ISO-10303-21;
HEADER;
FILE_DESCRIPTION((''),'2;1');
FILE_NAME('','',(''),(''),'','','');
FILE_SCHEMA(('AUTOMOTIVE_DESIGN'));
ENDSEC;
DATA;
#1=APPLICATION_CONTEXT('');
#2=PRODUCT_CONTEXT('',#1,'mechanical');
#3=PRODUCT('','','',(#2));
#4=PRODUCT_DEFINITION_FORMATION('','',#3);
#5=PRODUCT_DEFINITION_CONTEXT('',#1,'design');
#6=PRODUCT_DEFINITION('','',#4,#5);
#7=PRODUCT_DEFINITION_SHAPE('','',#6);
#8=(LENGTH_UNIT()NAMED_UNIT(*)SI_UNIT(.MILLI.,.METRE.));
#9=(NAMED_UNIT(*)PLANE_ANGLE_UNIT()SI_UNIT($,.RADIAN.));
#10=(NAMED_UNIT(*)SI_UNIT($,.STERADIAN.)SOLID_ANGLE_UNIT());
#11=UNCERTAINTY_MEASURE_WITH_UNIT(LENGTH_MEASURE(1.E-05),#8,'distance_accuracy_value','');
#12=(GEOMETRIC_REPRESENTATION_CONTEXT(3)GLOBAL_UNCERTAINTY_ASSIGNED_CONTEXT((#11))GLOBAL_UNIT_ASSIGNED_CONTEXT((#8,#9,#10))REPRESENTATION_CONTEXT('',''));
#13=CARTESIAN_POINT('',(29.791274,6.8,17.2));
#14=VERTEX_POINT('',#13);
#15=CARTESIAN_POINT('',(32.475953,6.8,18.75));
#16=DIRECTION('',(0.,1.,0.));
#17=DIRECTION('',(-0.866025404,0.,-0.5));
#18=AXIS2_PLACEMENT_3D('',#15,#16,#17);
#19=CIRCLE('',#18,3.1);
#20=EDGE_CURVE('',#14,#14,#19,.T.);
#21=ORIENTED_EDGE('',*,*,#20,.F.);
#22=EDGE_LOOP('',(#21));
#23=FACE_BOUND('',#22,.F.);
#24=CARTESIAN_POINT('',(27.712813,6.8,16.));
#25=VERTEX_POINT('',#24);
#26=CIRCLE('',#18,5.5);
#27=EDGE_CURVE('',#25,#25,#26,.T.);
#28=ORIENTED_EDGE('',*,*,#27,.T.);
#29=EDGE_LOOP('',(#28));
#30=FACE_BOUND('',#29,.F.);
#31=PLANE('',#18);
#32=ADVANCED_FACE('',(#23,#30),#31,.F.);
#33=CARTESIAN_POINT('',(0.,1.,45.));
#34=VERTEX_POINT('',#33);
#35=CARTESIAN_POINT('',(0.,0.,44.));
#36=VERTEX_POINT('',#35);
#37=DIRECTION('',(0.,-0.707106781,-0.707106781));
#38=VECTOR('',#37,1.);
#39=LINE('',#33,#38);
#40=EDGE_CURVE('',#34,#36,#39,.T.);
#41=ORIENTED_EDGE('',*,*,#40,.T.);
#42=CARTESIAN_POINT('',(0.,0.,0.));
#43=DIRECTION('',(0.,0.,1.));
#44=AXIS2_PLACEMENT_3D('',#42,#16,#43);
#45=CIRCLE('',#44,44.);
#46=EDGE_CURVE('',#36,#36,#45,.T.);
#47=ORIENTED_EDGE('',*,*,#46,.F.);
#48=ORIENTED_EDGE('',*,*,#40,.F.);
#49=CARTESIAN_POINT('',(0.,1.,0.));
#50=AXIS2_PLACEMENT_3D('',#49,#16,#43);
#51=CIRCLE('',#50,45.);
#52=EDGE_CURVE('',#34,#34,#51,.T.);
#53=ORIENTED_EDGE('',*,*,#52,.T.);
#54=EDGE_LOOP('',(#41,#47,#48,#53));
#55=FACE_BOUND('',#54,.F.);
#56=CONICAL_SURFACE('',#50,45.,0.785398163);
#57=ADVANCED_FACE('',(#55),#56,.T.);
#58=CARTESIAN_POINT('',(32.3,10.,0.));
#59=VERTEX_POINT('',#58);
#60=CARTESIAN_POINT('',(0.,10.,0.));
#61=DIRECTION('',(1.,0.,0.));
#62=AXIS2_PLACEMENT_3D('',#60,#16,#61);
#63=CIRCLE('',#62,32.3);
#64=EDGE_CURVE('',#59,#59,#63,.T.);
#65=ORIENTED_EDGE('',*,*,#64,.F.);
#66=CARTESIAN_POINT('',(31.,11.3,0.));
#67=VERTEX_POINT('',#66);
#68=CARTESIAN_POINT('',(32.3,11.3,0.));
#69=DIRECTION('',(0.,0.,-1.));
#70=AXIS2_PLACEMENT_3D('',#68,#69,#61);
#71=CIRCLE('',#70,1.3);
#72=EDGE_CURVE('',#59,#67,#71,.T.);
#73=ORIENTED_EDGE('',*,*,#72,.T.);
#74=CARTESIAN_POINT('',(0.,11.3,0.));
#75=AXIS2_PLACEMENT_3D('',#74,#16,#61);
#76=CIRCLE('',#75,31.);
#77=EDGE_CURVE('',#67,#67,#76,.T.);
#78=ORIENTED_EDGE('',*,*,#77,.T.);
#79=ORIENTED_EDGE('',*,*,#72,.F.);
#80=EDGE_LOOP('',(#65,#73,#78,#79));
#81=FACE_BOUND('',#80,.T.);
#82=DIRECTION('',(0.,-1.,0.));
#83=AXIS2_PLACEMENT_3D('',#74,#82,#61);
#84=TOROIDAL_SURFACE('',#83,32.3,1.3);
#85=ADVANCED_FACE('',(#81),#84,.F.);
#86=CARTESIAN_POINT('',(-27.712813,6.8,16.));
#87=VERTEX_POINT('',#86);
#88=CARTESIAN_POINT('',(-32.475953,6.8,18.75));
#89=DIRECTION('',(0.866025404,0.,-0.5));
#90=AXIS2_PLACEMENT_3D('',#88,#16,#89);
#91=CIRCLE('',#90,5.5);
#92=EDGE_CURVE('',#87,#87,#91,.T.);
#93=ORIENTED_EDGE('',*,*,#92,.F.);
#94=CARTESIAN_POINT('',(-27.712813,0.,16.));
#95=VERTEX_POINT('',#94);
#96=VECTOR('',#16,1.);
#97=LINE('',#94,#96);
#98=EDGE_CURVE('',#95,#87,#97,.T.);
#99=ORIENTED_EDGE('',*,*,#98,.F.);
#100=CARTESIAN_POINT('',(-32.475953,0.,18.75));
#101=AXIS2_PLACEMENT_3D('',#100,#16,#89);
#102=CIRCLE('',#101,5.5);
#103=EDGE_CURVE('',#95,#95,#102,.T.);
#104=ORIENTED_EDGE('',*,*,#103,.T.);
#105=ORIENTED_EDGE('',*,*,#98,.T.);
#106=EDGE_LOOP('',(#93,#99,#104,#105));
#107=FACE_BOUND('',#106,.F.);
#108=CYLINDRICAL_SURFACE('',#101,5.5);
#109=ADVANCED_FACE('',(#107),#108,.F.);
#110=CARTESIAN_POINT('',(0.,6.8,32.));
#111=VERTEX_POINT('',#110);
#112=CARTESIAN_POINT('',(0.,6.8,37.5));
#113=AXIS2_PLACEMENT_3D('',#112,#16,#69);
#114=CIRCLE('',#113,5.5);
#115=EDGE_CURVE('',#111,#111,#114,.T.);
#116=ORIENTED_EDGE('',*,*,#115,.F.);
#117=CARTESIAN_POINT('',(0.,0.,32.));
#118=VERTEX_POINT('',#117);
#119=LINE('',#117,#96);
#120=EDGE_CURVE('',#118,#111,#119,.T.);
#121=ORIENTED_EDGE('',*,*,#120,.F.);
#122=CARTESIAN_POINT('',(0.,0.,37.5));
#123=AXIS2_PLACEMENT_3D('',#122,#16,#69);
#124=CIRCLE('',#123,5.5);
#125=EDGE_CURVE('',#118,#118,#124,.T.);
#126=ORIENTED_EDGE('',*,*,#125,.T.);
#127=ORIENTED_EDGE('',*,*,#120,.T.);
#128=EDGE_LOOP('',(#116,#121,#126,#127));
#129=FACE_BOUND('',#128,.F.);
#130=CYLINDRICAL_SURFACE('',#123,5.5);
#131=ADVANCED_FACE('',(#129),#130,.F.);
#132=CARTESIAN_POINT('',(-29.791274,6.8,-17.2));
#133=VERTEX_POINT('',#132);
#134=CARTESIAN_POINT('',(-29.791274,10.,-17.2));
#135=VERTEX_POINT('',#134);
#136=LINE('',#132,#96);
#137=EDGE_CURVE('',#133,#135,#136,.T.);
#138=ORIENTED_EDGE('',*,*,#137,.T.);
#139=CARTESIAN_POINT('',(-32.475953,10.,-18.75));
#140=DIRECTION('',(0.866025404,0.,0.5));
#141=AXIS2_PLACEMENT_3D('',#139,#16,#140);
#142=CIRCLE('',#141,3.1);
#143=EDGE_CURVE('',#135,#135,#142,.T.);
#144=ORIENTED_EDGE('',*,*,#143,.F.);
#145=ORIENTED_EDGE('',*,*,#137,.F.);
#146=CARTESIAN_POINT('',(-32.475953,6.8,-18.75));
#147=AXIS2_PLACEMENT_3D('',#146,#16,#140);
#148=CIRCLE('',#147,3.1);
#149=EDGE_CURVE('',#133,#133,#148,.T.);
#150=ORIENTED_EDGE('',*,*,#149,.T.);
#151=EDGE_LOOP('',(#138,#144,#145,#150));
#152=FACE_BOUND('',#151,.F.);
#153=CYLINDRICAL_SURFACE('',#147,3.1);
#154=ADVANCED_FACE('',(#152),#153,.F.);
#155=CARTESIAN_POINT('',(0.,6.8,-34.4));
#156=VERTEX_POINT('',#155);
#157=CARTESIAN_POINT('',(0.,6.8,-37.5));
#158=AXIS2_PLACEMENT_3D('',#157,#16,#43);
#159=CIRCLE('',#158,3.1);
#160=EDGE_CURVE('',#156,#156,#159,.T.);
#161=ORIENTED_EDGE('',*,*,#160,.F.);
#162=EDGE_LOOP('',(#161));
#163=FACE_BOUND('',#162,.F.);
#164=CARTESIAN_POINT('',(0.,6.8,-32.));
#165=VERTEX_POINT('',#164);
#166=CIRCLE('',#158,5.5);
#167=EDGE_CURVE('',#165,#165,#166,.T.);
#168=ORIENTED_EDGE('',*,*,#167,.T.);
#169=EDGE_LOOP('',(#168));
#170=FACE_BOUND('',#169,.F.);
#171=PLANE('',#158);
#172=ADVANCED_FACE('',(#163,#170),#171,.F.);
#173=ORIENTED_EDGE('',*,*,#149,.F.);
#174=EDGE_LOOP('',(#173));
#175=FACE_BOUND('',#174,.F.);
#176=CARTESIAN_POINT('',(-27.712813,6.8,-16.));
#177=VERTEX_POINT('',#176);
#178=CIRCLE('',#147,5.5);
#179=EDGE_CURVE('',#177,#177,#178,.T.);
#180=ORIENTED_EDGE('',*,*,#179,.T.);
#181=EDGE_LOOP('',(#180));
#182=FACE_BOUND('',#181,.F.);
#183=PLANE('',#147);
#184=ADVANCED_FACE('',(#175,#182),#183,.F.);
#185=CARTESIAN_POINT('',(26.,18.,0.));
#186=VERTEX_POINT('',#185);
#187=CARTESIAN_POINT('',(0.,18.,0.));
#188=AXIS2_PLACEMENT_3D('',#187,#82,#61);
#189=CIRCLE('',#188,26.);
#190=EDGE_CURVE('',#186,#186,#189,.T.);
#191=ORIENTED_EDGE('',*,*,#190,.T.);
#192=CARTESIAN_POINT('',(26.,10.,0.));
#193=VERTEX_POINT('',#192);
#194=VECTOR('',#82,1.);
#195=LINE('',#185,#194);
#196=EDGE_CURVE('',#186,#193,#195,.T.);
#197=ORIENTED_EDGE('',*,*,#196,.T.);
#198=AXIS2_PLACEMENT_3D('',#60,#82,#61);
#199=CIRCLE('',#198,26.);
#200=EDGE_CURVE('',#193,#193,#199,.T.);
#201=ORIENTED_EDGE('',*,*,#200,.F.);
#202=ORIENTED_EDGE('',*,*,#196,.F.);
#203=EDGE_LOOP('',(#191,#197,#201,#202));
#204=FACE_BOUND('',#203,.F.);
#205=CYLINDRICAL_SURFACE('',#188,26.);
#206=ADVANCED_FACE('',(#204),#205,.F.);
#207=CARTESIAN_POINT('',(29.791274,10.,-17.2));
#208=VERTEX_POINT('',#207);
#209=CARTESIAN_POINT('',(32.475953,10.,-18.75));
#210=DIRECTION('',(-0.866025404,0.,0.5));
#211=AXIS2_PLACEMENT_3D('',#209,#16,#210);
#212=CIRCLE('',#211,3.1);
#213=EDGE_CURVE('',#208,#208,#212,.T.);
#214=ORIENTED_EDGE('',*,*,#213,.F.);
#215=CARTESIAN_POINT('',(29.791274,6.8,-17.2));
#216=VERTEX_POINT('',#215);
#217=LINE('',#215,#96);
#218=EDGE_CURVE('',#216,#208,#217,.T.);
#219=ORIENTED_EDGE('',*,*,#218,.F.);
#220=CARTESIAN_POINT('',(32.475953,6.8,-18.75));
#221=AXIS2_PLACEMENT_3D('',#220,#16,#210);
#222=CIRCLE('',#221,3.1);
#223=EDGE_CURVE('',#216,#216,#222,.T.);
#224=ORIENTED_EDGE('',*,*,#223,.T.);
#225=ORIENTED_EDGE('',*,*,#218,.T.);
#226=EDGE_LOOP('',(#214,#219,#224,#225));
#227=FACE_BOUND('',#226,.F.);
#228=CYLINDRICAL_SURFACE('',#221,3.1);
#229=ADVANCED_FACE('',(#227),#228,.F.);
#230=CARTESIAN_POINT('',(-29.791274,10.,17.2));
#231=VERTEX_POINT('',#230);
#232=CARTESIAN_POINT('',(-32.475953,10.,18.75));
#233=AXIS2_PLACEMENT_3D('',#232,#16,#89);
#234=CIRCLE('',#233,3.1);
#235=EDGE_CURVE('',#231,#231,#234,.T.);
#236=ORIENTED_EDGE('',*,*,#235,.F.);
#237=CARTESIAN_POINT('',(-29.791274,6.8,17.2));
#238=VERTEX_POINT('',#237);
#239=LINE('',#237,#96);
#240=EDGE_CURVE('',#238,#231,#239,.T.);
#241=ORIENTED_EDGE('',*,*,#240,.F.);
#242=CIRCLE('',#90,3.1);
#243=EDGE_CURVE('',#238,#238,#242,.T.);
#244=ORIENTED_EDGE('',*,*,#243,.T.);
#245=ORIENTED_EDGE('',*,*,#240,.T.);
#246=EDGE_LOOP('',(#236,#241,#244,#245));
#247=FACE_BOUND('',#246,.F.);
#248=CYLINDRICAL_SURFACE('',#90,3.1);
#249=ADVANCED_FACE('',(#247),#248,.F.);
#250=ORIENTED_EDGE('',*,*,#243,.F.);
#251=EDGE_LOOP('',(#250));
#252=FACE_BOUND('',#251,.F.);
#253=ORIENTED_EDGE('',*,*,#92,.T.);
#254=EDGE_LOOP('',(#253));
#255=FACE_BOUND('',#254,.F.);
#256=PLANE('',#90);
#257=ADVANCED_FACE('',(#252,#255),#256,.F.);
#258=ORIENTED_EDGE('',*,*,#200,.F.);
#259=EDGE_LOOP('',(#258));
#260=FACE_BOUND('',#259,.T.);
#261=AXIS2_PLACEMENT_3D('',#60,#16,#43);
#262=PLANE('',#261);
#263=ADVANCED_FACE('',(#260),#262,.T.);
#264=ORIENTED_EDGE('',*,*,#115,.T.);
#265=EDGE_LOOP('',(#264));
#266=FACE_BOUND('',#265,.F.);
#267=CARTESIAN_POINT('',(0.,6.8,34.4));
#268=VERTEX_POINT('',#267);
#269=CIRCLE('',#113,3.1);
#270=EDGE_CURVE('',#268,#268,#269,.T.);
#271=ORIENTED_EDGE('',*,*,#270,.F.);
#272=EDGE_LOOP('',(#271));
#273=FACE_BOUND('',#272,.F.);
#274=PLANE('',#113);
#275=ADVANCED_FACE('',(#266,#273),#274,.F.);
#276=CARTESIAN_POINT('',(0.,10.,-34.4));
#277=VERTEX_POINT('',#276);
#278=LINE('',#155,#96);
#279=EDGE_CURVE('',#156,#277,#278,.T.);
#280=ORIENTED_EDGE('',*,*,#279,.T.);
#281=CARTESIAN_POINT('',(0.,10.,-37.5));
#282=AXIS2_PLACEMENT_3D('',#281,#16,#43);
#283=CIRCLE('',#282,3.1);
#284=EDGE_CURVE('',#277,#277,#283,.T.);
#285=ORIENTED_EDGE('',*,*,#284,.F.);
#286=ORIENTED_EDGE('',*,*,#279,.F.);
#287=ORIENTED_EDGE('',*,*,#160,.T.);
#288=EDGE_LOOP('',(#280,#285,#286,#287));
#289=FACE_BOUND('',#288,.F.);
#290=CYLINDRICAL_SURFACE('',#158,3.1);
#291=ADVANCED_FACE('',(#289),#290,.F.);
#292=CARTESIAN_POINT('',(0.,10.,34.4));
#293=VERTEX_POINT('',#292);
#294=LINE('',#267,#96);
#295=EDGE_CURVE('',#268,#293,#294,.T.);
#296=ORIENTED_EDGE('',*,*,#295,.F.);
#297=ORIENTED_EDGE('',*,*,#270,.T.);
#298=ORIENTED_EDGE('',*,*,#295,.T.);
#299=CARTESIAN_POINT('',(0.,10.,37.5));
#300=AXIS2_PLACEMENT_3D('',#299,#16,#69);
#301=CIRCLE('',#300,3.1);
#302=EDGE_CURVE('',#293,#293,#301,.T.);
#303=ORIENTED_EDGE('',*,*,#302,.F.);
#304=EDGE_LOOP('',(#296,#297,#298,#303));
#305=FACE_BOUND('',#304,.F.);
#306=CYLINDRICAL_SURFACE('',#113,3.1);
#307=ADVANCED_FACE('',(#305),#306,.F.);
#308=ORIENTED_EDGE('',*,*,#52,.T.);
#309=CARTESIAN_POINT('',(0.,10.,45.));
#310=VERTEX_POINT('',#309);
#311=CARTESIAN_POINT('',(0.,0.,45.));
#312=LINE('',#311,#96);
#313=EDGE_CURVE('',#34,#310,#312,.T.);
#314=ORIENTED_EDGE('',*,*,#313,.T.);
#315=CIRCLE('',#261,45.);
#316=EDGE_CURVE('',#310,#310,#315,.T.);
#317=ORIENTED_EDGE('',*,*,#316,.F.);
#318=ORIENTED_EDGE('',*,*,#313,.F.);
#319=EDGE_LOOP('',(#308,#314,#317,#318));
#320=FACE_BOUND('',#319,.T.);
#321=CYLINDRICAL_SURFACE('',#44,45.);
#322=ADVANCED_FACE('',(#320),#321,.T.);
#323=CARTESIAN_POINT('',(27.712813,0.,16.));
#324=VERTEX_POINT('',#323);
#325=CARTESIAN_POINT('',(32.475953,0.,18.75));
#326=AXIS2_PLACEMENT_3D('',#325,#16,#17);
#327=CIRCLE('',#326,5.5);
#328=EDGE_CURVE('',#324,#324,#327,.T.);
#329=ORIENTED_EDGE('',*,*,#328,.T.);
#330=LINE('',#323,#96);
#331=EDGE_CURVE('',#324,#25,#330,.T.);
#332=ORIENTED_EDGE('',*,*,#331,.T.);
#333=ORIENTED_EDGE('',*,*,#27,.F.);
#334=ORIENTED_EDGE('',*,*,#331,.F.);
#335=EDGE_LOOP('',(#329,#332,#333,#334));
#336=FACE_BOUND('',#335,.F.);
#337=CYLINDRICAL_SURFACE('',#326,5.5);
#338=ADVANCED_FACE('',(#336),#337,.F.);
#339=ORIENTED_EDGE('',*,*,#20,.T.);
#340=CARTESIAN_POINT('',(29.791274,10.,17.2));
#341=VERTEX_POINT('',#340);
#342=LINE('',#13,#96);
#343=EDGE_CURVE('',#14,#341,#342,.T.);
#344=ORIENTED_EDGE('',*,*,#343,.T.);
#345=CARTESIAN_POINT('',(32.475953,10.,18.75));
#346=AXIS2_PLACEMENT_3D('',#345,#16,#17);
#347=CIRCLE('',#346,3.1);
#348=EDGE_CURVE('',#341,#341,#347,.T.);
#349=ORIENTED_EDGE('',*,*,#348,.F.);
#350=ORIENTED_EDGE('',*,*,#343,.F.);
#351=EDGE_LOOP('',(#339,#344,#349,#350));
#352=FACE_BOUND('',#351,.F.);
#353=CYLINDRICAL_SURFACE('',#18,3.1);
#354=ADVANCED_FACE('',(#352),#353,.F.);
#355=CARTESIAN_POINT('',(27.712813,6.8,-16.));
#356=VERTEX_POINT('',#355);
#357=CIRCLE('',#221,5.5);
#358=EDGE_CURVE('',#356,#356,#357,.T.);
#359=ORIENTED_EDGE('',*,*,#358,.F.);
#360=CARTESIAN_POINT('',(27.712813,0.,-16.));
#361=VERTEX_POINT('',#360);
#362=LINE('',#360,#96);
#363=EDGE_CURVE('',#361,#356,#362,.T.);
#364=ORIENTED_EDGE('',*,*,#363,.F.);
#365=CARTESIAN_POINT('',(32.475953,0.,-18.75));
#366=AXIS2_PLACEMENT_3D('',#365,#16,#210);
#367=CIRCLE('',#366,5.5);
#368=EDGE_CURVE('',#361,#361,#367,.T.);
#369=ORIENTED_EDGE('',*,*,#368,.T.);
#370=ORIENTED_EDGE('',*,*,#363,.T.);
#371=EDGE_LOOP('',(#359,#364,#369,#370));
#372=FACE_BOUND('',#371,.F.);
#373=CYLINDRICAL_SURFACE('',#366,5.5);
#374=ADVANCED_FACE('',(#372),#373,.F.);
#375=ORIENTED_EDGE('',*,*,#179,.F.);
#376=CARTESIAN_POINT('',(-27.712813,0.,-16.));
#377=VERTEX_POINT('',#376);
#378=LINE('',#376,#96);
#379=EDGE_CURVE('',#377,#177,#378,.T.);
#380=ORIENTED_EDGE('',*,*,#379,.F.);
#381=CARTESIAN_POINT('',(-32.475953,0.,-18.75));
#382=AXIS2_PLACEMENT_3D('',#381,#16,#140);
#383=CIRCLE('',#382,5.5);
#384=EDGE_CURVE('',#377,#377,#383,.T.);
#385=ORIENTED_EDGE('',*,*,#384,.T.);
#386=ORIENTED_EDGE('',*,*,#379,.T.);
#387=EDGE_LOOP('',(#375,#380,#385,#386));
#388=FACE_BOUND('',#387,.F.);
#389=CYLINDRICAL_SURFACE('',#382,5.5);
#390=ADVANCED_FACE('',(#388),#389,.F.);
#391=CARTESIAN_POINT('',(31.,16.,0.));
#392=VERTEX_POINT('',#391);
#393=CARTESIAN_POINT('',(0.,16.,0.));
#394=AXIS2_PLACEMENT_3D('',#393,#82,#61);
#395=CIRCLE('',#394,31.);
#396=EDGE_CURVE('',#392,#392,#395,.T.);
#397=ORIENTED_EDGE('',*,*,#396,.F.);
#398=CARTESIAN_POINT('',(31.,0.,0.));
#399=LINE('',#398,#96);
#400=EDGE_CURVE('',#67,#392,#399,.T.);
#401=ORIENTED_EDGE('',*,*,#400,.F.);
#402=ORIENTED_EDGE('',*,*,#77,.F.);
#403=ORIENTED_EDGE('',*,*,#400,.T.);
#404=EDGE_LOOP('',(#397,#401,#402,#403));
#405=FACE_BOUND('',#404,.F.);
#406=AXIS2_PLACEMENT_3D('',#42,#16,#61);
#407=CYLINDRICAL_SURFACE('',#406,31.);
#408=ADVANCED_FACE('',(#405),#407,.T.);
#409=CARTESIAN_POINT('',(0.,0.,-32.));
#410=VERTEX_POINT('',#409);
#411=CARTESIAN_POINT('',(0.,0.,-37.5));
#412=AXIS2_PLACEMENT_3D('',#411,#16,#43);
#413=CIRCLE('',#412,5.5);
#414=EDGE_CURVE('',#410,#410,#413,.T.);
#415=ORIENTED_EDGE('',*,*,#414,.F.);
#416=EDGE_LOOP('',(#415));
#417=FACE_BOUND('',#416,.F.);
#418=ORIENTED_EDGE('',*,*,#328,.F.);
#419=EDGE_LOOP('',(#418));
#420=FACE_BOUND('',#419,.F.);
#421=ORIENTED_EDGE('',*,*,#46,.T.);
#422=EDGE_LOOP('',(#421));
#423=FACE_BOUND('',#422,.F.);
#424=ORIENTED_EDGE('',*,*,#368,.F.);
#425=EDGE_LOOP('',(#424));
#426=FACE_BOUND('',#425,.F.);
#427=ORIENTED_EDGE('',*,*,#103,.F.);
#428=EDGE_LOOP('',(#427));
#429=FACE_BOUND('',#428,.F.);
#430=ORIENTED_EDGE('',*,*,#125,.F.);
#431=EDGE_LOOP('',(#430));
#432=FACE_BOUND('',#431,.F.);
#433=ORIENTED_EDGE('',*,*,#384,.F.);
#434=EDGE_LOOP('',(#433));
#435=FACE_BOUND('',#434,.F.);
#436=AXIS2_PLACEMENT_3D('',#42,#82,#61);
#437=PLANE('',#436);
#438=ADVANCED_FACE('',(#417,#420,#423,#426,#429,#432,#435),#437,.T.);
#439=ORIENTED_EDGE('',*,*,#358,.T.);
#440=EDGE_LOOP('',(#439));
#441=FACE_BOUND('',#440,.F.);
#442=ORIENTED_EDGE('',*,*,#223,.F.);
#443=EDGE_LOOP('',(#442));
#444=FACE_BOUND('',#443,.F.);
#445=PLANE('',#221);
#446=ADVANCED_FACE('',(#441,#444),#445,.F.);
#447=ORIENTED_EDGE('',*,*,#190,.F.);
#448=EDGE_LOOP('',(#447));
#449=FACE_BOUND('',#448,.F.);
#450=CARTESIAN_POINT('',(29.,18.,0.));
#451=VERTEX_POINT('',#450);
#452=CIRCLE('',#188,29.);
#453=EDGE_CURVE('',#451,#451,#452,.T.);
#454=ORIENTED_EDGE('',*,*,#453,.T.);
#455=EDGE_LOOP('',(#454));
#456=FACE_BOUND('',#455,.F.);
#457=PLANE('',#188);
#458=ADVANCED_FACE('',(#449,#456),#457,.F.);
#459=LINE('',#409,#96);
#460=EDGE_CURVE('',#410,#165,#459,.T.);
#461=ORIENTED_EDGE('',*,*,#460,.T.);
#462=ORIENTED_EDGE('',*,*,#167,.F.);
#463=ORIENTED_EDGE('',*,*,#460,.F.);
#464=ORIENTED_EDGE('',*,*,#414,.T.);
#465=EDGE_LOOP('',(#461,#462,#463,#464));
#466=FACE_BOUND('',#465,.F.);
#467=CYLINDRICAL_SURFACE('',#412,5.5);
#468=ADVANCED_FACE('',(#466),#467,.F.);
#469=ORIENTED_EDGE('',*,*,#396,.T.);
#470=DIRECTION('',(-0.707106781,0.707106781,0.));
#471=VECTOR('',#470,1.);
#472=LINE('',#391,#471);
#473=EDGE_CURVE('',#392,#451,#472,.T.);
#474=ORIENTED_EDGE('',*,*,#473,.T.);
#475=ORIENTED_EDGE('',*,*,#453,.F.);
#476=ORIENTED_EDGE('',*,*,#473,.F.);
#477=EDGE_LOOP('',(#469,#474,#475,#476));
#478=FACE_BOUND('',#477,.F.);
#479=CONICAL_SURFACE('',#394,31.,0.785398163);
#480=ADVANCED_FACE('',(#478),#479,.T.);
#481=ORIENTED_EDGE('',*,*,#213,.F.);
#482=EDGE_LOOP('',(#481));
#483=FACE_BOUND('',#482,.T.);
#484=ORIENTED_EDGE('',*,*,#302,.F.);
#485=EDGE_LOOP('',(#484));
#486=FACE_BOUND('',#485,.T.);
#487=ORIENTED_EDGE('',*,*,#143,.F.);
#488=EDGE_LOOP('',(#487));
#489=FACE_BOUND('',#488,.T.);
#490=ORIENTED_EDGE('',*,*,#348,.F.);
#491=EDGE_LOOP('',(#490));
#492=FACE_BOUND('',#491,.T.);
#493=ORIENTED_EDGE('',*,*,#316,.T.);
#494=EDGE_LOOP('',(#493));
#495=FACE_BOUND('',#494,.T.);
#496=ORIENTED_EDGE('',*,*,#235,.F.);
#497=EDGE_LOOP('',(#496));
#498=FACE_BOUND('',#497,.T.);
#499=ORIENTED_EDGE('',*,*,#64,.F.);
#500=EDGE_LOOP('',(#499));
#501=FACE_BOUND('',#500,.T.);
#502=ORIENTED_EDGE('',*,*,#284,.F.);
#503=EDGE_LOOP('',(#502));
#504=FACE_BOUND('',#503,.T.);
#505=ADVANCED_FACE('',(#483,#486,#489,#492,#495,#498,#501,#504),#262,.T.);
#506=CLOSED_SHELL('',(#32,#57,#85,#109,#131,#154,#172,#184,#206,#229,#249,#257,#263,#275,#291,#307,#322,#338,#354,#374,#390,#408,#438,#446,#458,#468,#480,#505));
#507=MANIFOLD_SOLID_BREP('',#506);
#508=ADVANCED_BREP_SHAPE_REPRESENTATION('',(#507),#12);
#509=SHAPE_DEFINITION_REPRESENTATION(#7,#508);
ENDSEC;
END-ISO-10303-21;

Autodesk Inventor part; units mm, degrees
ref_plane "YZ Plane" through (0, 0, 0) normal (1, 0, 0) x (0, 1, 0)
ref_plane "XZ Plane" through (0, 0, 0) normal (0, 1, 0) x (-1, 0, 0)
ref_plane "XY Plane" through (0, 0, 0) normal (0, 0, 1) x (1, 0, 0)
sketch "Эскиз1" plane through (0, 0, 0) normal (0, 0, 1) x (1, 0, 0)
  line L0 (0, 5) -> (0, 0)
  line L1 (0, 0) -> (31, 0)
  line L2 (31, 0) -> (31, 18)
  line L3 (31, 18) -> (26, 18)
  line L4 (26, 18) -> (26, 5)
  line L5 (26, 5) -> (0, 5)
  dimension "d0" = 18
  dimension "d1" = 5
  dimension "d3" = 31
revolve "Вращение1" add sketch "Эскиз1" angle 360 about axis through (0, 5, 0) along (0, -1, 0)
sketch "Эскиз2" plane through (0, 0, 0) normal (1, 0, 0) x (0, 1, 0)
  line L0 (0, 31) -> (0, -31) projected
  line L1 (18, 31) -> (0, 31) projected
  line L2 (18, 31) -> (0, 31) projected
  line L3 (0, 0) -> (0, 45)
  line L4 (0, 45) -> (10, 45)
  line L5 (10, 45) -> (10, 0)
  line L6 (10, 0) -> (0, 0)
  line L7 (-4.2, 0) -> (25.2, 0) projected
  dimension "d5" = 10
  dimension "d6" = 45
revolve "Вращение2" add sketch "Эскиз2" angle 360 about axis through (0, -10, 0) along (0, 1, 0)
sketch "Эскиз3" plane through (0, 0, 0) normal (0, -1, 0) x (1, 0, 0)
  line L0 (0, -63) -> (0, 63) projected
  line L1 (-63, 0) -> (63, 0) projected
  circle A0 centre (0, 0) radius 37.5 construction
  circle A1 centre (0, 37.5) radius 5.5
  dimension "d8" = 75
  dimension "d9" = 11
hole "Отверстие1" at (0, 0, 37.5) direction (0, 1, 0) diameter 6.2 depth 15 tip angle 118 counterbore diameter 11 counterbore depth 6.8
pattern_circular "Круговой массив1" count 6 over 360 about axis through (0, -10, 0) along (0, 1, 0) of "Отверстие1"
fillet "Сопряжение1" radius 1.3 1 edges at (-31, 10, 0)
chamfer "Фаска1" distance 1 angle 45 1 edges at (0, 0, -45)
chamfer "Фаска2" distance 2 angle 45 1 edges at (-31, 18, 0)
properties part number "Крышка маленькая_62"
